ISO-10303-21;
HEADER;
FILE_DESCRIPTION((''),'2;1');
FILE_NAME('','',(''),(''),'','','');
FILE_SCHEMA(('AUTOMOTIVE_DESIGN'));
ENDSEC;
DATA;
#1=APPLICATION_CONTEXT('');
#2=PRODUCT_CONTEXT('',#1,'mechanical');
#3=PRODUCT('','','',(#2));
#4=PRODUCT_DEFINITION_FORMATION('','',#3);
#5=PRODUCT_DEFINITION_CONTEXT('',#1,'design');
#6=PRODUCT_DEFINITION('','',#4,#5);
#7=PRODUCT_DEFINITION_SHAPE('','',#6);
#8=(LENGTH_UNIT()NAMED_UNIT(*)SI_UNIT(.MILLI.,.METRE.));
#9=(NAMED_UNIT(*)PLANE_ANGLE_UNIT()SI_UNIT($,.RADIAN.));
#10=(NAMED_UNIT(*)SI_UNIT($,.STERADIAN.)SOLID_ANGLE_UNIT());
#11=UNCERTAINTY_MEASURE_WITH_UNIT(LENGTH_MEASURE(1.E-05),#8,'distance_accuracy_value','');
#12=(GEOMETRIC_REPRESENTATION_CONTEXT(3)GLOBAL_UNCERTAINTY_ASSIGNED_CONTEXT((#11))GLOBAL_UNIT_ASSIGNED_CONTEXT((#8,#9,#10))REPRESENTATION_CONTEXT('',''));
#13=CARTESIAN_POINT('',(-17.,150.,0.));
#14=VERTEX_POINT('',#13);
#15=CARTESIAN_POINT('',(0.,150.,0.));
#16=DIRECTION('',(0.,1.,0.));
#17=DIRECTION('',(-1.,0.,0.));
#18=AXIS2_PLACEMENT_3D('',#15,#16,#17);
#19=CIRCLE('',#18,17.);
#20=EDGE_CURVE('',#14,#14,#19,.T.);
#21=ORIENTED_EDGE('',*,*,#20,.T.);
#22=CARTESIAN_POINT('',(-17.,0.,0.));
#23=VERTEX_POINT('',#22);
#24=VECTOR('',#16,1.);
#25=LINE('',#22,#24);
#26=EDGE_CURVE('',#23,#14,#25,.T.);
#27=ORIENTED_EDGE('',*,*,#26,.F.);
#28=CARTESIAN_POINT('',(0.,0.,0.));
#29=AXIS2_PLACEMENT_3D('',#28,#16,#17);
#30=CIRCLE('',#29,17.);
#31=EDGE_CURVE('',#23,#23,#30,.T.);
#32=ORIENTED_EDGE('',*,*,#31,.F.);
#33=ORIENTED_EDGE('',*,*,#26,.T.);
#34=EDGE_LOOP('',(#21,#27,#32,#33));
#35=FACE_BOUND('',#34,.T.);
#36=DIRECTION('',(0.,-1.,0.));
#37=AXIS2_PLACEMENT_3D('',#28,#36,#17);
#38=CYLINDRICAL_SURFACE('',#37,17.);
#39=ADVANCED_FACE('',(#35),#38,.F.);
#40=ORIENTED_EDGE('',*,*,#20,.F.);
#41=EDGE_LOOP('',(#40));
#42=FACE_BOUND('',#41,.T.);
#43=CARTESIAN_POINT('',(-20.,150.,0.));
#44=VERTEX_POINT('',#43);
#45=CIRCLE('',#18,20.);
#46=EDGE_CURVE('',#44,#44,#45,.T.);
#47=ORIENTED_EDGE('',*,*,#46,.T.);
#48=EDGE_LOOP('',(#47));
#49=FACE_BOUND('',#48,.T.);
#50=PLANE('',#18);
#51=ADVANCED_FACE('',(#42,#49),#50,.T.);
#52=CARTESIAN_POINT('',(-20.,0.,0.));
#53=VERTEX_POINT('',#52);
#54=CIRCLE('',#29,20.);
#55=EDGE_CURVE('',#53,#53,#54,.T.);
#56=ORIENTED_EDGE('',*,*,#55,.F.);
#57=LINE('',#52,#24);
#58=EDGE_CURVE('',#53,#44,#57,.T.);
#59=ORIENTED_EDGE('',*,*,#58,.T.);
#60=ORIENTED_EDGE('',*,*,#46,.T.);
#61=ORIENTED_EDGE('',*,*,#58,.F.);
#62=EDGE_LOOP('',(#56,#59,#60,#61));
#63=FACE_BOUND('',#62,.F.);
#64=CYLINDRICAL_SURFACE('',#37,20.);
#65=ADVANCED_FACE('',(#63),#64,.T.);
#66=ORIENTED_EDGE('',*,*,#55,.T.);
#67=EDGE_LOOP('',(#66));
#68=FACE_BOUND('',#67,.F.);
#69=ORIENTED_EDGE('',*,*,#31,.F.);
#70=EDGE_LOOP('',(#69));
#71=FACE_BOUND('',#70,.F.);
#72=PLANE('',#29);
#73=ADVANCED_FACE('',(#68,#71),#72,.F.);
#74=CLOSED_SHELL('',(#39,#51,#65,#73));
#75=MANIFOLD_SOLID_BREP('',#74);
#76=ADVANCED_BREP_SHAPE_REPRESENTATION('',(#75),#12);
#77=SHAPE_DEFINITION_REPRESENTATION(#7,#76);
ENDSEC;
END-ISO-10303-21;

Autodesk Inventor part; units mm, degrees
ref_plane "YZ Plane" through (0, 0, 0) normal (1, 0, 0) x (0, 1, 0)
ref_plane "XZ Plane" through (0, 0, 0) normal (0, 1, 0) x (-1, 0, 0)
ref_plane "XY Plane" through (0, 0, 0) normal (0, 0, 1) x (1, 0, 0)
sketch "Sketch1" plane through (0, 0, 0) normal (0, 1, 0) x (-1, 0, 0)
  circle A0 centre (0, 0) radius 17
  circle A1 centre (0, 0) radius 20
  dimension "d0" = 34
  dimension "d1" = 40
extrude "Extrusion1" add sketch "Sketch1" along normal blind 150
properties part number "prototype2_1"
